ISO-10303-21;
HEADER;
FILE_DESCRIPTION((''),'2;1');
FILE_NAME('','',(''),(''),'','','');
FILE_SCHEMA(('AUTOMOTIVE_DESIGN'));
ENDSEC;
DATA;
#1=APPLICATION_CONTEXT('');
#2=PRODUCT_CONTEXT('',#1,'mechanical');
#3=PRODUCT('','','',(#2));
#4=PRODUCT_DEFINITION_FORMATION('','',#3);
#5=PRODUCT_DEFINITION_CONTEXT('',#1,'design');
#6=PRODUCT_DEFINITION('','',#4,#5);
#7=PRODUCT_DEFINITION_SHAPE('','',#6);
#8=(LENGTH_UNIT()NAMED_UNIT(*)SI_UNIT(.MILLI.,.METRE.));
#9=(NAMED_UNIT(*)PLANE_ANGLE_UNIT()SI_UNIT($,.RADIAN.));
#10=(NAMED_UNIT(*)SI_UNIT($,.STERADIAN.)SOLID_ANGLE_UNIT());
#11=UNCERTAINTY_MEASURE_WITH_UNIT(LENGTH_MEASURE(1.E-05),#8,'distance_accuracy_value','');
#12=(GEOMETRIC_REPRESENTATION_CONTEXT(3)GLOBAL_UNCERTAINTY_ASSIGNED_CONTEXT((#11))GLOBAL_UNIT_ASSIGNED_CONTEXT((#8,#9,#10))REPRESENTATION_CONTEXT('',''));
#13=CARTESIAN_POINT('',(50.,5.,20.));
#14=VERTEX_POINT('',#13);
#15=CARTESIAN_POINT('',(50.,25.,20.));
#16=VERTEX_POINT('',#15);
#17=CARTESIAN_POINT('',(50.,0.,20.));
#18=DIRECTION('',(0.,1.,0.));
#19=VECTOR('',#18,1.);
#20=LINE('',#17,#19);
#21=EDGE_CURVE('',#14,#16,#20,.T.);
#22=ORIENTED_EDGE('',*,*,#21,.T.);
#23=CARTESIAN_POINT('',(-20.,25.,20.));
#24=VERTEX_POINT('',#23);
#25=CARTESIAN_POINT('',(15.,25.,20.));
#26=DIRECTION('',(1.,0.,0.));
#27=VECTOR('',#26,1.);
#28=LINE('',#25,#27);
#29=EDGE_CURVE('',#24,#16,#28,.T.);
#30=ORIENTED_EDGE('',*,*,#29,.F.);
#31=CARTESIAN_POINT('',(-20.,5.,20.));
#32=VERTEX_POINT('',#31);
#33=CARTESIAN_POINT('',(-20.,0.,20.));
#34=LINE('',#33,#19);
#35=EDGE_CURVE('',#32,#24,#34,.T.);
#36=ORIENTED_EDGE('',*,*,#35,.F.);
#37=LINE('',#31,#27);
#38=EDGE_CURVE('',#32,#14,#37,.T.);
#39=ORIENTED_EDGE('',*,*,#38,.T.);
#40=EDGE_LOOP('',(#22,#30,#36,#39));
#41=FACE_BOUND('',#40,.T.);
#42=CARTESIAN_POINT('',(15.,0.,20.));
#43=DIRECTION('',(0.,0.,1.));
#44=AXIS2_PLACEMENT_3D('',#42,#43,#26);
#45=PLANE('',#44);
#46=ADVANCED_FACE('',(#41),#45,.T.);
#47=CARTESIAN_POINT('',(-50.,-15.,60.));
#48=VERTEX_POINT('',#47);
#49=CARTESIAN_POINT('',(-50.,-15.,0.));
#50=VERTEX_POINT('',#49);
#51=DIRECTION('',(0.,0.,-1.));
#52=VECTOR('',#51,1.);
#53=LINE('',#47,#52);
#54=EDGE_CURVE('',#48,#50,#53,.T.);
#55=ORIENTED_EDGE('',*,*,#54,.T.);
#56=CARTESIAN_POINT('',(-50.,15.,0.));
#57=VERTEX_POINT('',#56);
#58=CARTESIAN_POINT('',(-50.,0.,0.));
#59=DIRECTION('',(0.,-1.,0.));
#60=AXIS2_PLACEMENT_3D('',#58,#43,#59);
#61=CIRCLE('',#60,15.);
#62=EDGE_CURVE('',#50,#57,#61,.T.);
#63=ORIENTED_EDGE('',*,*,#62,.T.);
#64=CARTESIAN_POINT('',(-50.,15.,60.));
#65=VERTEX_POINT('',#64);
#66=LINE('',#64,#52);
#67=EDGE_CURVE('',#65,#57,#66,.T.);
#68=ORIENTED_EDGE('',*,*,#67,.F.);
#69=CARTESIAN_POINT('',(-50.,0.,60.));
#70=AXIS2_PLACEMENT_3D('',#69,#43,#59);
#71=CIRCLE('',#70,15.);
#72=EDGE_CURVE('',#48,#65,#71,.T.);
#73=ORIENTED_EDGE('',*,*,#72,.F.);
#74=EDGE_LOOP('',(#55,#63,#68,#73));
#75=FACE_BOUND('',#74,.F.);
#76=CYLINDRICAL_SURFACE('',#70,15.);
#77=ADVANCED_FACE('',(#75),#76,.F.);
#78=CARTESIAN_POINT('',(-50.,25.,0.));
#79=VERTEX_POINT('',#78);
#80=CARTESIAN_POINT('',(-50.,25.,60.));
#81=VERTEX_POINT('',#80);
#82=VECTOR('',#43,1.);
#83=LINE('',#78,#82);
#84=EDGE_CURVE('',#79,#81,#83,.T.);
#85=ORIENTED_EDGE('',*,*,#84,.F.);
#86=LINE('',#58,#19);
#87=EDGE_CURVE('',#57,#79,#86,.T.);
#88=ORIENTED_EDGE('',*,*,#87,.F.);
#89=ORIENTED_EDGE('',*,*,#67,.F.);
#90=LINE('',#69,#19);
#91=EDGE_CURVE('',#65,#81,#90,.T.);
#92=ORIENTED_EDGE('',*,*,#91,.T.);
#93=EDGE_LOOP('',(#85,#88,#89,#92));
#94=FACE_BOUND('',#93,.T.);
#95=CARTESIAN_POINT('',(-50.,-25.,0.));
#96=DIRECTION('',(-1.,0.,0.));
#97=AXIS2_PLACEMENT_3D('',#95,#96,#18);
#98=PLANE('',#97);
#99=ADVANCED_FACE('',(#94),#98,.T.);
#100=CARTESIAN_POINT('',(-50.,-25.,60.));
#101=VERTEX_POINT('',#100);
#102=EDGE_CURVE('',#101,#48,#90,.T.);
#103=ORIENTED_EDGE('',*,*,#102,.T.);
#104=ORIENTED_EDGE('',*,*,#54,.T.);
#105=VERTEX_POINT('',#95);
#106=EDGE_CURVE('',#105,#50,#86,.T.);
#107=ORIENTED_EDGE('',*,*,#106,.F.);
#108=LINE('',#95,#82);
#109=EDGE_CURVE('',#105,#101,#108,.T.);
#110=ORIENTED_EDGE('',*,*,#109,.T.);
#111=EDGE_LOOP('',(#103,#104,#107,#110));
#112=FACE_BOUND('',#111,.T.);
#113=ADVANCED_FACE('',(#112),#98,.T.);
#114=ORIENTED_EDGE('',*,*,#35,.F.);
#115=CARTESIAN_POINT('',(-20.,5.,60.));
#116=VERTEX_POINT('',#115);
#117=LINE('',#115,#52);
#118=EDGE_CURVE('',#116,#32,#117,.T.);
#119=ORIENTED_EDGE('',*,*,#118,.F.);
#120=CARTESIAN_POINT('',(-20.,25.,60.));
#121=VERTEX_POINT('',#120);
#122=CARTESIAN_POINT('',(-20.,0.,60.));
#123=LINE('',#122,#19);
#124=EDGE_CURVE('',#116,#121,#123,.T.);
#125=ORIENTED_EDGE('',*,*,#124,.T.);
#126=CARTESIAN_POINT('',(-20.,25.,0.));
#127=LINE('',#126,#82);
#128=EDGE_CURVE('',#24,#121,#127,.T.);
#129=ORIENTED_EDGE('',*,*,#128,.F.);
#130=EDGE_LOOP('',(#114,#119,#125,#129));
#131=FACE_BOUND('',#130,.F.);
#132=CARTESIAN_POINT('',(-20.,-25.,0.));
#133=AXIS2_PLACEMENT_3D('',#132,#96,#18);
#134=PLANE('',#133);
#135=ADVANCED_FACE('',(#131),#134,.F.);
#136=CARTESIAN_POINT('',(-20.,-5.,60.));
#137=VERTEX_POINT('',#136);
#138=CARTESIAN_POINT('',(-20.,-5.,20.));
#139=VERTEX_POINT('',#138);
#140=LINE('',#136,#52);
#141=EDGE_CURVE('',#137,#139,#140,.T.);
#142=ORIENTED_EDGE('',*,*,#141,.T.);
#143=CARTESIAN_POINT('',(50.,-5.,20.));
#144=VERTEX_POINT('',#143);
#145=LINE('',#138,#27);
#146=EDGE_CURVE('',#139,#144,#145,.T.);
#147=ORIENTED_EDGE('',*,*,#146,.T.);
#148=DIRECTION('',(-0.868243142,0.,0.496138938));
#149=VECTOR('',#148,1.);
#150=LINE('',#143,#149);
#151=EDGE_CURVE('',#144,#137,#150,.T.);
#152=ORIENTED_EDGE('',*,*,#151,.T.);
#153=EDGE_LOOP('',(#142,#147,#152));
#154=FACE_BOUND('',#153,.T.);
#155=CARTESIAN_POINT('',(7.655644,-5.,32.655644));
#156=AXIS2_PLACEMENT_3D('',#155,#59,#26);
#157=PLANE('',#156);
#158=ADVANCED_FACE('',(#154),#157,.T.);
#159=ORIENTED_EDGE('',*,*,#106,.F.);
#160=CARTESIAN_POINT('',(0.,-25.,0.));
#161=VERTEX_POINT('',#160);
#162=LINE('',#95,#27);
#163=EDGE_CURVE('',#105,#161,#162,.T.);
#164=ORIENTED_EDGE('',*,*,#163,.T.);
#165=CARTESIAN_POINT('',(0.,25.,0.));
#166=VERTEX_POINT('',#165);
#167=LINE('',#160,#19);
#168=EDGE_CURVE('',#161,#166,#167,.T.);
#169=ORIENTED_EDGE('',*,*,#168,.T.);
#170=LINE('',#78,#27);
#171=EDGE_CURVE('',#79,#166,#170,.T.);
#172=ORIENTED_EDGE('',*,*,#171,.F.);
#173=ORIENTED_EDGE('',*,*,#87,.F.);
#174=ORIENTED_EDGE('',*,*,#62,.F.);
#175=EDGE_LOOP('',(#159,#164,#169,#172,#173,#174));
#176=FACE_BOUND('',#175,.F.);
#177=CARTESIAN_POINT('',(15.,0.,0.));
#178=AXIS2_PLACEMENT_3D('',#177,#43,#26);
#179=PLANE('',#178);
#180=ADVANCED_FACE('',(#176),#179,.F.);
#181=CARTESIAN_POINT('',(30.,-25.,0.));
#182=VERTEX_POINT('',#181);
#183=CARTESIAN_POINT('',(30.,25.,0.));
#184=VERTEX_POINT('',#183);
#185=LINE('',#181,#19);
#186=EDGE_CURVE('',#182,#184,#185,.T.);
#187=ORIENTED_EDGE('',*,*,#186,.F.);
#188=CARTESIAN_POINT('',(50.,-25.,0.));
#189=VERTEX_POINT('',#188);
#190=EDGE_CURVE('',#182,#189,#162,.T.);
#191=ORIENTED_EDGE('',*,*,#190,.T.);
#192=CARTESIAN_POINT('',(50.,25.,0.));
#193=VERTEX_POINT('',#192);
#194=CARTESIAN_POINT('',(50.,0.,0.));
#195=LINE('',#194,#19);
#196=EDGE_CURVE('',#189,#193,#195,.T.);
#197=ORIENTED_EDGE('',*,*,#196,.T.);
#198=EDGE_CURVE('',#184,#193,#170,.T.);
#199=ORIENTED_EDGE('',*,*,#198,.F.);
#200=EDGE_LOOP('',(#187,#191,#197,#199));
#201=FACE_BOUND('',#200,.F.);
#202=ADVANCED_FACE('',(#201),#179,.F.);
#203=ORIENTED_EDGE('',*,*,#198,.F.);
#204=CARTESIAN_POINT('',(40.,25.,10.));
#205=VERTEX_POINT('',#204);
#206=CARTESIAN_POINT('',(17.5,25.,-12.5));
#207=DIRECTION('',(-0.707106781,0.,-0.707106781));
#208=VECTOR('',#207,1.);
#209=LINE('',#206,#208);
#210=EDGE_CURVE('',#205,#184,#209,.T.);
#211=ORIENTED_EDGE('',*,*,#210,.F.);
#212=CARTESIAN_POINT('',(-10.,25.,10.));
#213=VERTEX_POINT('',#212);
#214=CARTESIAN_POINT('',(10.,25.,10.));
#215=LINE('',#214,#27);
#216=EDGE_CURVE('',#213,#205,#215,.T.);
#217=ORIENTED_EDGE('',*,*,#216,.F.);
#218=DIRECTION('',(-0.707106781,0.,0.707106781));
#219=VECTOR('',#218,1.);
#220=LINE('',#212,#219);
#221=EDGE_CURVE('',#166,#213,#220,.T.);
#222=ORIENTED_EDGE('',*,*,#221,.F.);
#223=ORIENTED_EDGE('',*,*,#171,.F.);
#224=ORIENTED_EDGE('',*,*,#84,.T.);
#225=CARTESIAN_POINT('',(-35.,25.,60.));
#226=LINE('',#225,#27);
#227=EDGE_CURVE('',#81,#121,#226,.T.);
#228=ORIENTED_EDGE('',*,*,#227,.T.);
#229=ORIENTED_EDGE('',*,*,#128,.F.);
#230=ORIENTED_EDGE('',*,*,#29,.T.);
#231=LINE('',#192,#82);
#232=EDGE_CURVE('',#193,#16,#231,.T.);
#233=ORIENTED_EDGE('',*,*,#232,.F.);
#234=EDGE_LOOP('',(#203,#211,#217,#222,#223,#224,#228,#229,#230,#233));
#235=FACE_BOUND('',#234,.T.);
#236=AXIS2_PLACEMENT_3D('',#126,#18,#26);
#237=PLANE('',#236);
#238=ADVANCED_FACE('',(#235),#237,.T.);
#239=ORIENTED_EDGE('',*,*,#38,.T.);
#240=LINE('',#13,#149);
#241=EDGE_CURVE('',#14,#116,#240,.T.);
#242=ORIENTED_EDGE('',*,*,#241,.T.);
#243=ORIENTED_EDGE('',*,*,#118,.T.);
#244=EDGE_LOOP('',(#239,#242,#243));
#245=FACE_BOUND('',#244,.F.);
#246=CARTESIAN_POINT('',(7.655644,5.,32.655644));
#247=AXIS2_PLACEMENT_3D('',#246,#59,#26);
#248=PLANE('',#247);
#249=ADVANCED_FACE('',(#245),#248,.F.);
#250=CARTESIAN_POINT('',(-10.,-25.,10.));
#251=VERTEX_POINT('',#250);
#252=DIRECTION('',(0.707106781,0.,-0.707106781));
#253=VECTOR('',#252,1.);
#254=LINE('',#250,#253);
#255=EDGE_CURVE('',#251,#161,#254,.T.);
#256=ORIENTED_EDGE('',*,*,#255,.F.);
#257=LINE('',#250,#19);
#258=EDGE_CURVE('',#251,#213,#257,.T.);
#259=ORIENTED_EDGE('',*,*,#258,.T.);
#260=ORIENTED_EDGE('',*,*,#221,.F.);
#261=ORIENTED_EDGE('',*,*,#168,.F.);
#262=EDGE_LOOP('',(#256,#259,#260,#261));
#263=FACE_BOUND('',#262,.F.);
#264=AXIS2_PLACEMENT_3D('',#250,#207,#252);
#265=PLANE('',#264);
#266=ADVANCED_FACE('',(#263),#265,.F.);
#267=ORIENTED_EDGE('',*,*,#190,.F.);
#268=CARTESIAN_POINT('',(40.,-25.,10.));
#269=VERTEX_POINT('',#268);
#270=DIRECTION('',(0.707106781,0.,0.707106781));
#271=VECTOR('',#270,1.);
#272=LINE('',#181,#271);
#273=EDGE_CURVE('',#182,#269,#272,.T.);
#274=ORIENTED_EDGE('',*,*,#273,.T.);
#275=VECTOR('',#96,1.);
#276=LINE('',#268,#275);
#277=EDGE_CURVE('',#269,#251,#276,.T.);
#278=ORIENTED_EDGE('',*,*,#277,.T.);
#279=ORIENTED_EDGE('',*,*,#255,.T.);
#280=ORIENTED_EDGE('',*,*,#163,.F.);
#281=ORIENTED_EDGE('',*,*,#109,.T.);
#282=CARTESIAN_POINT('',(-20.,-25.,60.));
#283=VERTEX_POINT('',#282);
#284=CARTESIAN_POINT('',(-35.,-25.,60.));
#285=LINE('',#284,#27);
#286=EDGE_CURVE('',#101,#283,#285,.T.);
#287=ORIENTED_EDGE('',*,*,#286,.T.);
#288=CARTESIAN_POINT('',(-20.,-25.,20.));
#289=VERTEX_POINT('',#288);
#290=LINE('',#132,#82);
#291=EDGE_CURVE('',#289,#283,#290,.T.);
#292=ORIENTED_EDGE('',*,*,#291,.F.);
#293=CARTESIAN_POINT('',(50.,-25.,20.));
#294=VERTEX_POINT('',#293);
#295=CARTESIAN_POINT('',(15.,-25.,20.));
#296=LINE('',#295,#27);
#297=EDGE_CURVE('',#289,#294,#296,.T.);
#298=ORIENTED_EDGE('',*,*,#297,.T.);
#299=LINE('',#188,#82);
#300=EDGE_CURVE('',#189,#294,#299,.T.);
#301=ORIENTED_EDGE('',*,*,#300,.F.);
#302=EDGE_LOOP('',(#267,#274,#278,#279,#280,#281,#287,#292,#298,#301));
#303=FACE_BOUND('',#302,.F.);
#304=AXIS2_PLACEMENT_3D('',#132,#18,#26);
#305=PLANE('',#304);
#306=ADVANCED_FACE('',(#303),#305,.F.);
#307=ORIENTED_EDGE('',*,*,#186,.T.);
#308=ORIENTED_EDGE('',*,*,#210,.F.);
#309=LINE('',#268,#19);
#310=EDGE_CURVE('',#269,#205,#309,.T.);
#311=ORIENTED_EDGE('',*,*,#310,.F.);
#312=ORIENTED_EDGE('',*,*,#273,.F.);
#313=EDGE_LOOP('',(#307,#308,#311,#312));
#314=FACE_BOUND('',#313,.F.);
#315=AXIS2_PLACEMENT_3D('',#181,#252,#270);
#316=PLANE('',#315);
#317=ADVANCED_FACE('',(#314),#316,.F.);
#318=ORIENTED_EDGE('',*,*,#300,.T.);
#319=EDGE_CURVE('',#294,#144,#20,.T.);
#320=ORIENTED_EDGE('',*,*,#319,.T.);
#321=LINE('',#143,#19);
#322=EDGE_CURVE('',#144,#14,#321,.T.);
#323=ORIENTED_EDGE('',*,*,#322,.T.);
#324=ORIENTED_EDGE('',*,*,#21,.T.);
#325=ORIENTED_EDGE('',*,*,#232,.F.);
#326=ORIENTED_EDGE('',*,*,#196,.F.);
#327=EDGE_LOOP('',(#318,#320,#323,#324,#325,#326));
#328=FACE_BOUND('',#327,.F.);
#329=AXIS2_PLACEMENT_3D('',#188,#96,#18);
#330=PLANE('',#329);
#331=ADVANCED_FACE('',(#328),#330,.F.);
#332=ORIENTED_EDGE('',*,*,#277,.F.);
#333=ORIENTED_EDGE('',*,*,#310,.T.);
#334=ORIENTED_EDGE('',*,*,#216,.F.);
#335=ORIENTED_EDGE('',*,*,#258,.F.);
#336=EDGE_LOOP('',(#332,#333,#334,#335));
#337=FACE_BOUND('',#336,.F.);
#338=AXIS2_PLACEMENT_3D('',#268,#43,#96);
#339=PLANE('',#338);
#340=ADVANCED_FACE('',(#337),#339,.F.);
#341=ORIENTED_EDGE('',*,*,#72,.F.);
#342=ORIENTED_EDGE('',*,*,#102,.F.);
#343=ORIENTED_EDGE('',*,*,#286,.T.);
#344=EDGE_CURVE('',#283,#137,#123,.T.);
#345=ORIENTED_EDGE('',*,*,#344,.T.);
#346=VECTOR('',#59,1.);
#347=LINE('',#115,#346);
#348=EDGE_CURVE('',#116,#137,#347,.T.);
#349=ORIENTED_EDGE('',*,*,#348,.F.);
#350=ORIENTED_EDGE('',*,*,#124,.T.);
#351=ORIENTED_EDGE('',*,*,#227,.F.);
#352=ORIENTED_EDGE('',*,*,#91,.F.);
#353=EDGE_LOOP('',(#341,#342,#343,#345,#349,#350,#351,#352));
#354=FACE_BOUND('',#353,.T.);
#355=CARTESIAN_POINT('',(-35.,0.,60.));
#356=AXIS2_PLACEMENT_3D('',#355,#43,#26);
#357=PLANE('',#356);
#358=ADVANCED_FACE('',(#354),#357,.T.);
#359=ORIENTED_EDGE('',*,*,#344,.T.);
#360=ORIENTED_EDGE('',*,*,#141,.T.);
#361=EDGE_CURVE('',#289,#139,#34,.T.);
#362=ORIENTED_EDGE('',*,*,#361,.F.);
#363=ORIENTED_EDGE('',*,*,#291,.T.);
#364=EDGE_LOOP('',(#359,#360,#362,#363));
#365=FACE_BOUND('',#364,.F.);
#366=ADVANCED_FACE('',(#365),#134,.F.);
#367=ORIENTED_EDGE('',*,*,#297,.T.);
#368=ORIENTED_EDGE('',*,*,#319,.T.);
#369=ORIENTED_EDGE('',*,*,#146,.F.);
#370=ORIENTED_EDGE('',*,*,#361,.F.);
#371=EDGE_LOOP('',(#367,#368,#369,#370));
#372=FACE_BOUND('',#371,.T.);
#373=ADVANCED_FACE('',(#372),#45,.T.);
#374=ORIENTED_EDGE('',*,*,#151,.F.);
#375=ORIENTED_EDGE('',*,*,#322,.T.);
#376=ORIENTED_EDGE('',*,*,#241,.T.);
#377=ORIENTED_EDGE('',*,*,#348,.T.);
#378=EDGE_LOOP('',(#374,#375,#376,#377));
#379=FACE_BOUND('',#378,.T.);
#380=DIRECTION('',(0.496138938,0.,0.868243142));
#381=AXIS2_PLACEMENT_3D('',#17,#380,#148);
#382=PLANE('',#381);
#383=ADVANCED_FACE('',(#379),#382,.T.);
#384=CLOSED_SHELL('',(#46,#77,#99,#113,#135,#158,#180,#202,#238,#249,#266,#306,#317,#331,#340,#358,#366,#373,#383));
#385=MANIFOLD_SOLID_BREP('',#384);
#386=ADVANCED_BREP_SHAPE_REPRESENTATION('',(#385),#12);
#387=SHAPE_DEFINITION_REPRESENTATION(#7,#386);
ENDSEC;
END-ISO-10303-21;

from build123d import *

# Parameters (mm, degrees)
F0_W          = 30
F0_H          = 50
F1_DEPTH      = 60
F0_W_2        = 70
F2_DEPTH      = 20
F4_DEPTH      = 71.1
F6_DEPTH      = 5
F6_DEPTH_BACK = 5
F8_DEPTH      = 205.9


with BuildPart() as f1:
    # F0 (on Top) → F1 (new body)
    with BuildSketch(Plane.XY):
        with Locations((-35, 0)):
            Rectangle(F0_W, F0_H)
    extrude(amount=F1_DEPTH)

    # F0 (on Top) → F2 (join)
    with BuildSketch(Plane.XY):
        with Locations((15, 0)):
            Rectangle(F0_W_2, F0_H)
    extrude(amount=F2_DEPTH)

    # F3 (on face) → F4 (cut)
    with BuildSketch(Plane.XY.offset(60)):
        with BuildLine():
            ThreePointArc((-50, -15), (-39.3933982822, -10.6066017178), (-35, 0))
            ThreePointArc((-35, 0), (-39.3933982822, 10.6066017178), (-50, 15))
            Line((-50, 15), (-50, -15))
        make_face()
    extrude(amount=-F4_DEPTH, mode=Mode.SUBTRACT)

    # F5 (on Front) → F6 (join, two sides)
    with BuildSketch(Plane.XZ) as f6_sk:
        Polygon((-20, 20), (50, 20), (-20, 60), align=None)
    extrude(amount=F6_DEPTH)
    extrude(f6_sk.sketch, amount=-F6_DEPTH_BACK)

    # F7 (on face) → F8 (cut)
    with BuildSketch(Plane.XZ.offset(25)):
        Polygon((0, 0), (30, 0), (40, 10), (-10, 10), align=None)
    extrude(amount=-F8_DEPTH, mode=Mode.SUBTRACT)


solid = f1.part
